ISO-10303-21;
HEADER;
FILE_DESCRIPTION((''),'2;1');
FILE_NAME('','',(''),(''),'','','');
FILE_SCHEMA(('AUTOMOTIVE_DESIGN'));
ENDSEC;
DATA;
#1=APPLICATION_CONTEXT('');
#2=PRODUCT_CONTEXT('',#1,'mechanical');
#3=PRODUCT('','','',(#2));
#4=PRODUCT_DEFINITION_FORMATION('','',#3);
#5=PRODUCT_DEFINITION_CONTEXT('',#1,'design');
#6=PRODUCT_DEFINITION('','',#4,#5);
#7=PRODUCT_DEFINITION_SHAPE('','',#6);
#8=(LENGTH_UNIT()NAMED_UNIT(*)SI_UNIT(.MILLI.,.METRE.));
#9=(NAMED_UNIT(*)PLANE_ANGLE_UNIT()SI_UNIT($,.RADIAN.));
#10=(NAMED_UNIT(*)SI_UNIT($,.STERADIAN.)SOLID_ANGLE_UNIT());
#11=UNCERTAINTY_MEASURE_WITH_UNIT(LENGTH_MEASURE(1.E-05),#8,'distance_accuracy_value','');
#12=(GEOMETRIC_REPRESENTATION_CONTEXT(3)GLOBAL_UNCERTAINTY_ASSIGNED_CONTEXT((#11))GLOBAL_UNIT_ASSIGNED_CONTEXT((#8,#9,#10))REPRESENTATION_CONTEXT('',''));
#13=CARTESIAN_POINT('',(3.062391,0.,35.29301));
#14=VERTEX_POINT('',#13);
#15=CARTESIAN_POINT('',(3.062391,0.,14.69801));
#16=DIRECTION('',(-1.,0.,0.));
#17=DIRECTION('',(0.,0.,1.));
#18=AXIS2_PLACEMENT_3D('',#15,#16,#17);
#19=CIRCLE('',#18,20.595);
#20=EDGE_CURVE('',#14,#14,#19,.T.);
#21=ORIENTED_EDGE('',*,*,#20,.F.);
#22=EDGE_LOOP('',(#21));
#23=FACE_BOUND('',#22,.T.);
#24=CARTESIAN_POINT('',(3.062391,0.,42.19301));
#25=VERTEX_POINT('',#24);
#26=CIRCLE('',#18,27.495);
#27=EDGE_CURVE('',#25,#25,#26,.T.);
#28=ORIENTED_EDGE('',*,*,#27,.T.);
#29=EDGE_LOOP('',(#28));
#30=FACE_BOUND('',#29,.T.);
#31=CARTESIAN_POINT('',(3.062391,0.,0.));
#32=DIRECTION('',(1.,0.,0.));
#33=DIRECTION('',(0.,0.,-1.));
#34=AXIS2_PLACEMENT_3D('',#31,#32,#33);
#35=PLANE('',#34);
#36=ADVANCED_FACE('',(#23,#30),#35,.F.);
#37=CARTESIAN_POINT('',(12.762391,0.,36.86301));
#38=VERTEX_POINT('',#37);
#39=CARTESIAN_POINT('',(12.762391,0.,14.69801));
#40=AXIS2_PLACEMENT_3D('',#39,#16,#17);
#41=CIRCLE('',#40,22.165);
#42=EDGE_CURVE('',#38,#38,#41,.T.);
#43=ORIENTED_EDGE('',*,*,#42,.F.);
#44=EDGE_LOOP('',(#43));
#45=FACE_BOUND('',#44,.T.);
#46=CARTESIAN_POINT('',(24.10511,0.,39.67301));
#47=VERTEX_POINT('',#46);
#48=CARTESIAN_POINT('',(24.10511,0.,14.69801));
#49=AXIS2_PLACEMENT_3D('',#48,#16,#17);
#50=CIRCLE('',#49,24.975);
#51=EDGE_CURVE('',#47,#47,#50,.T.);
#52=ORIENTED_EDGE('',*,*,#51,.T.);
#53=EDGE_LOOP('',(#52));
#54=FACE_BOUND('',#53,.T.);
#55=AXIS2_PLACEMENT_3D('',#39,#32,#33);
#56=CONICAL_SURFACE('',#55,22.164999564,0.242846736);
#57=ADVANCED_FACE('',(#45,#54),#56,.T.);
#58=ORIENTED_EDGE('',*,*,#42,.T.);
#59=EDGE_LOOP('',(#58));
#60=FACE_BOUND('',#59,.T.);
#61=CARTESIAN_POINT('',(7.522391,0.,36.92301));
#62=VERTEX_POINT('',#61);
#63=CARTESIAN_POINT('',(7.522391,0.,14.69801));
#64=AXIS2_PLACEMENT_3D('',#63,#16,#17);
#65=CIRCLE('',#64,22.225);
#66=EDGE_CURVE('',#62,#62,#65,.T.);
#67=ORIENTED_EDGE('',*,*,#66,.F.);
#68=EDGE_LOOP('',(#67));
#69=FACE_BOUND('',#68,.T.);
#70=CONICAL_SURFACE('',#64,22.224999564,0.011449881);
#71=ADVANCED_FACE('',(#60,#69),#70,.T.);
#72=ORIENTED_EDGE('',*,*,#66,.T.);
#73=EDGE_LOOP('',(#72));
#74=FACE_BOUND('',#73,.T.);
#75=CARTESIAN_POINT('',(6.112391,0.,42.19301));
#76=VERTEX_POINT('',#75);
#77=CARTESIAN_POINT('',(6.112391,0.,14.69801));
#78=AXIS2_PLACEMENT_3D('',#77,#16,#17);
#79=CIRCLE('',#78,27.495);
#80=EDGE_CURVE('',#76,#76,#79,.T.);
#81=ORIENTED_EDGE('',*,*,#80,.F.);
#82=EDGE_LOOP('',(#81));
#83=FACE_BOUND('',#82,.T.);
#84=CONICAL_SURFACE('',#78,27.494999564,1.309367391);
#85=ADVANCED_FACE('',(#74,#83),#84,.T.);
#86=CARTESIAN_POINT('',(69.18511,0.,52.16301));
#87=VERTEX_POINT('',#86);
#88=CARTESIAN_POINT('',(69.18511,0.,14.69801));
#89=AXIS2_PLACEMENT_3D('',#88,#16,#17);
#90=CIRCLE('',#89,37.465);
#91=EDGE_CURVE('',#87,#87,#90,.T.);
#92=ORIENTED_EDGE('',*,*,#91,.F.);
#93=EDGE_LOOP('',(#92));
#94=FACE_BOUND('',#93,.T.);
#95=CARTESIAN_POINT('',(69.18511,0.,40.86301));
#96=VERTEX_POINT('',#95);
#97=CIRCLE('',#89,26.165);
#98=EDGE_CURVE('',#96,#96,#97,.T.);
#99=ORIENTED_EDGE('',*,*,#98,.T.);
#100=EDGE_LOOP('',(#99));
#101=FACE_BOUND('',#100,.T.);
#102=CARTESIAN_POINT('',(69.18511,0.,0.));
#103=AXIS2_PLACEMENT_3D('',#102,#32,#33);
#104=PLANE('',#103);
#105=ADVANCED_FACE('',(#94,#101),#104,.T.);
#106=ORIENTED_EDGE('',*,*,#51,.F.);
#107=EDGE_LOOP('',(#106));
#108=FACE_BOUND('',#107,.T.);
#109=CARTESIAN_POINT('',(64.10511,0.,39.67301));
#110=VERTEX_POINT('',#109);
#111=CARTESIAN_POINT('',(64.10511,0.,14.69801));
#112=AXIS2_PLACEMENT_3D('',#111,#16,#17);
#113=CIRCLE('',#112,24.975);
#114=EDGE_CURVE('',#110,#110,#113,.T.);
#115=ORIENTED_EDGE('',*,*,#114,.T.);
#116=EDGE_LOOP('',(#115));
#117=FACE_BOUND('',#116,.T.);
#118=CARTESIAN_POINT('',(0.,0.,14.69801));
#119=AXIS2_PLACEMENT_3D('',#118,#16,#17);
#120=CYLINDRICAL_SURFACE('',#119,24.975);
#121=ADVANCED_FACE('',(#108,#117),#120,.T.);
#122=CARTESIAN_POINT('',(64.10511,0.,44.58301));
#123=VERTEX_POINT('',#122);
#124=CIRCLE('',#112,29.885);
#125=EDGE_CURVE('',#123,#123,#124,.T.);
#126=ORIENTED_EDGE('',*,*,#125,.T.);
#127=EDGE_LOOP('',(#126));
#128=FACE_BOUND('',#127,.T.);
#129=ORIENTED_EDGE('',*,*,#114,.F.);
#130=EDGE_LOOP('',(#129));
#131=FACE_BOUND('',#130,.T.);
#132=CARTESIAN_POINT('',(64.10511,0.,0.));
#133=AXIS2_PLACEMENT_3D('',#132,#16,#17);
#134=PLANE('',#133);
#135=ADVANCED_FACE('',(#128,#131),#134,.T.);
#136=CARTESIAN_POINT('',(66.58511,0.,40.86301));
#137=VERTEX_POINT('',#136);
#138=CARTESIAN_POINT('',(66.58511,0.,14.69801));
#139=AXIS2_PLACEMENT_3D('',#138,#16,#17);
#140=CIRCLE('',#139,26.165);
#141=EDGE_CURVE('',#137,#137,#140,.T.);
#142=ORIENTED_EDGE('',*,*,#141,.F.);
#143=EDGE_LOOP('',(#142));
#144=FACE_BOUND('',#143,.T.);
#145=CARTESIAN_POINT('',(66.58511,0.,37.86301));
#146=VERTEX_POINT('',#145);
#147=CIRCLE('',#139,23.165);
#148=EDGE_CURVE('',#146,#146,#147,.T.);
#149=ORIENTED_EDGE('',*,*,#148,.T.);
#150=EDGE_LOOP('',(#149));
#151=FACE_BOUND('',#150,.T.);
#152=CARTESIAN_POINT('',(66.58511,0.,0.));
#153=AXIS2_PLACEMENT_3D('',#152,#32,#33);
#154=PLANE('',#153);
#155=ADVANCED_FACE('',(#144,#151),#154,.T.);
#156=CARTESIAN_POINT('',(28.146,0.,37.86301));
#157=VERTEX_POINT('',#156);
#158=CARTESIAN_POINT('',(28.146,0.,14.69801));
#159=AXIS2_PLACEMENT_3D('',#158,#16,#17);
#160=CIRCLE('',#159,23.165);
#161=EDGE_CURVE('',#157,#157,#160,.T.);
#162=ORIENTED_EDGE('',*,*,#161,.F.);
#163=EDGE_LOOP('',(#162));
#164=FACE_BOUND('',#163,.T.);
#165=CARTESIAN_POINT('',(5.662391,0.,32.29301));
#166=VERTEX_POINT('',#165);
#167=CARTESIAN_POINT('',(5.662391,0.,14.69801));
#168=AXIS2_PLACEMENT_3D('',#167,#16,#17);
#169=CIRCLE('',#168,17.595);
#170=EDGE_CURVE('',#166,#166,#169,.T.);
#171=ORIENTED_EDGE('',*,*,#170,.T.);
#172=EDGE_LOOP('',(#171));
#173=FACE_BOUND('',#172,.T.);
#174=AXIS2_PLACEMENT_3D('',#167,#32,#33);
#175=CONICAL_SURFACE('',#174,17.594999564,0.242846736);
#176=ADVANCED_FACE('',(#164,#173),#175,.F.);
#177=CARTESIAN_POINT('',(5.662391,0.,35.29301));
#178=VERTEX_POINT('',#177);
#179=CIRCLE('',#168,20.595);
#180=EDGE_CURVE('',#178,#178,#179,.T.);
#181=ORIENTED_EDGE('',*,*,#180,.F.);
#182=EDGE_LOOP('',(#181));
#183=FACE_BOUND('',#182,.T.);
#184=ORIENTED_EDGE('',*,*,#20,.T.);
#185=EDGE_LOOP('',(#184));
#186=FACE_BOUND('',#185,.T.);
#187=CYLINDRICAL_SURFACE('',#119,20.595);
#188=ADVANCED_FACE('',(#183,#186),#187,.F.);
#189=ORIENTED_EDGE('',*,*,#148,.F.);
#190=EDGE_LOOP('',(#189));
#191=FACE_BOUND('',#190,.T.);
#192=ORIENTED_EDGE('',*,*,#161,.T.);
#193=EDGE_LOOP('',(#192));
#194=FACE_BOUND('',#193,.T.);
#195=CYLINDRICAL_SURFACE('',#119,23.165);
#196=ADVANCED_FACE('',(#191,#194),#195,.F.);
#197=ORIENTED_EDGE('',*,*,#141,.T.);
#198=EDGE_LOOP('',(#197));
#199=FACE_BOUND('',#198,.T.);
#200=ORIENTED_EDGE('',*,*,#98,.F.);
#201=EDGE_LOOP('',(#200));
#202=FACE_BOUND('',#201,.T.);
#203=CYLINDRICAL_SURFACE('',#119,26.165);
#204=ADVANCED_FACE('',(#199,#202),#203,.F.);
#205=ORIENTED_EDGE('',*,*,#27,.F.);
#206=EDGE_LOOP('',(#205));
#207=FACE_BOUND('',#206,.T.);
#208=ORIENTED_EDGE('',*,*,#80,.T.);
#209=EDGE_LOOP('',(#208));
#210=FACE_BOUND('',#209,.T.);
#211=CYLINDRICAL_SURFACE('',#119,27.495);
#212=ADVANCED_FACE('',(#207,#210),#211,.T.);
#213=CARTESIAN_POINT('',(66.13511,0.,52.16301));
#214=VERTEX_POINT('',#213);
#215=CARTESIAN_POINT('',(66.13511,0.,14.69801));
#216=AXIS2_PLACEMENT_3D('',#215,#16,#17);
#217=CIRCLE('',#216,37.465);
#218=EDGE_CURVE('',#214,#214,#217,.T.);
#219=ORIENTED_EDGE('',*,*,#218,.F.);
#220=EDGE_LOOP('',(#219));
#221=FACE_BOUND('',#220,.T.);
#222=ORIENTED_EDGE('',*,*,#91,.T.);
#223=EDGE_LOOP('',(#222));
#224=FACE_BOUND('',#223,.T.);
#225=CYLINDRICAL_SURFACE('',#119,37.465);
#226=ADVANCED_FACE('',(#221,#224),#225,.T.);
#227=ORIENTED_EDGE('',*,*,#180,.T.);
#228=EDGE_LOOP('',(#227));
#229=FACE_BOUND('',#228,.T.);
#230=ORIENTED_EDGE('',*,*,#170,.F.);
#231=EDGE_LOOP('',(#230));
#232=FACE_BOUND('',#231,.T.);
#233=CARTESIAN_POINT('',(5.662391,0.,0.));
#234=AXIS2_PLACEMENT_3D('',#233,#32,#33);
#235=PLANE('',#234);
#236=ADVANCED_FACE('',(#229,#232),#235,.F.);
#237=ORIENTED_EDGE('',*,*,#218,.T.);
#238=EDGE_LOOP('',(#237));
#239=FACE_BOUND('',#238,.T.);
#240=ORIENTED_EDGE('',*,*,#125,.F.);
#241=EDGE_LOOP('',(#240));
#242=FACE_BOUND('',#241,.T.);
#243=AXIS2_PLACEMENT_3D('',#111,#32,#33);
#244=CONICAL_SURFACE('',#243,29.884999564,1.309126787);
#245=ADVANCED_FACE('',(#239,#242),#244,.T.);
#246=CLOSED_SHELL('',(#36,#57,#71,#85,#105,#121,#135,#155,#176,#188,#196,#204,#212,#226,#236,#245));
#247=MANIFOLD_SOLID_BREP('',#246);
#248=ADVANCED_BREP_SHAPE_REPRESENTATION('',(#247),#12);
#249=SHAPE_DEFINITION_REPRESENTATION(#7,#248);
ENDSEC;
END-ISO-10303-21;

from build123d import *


with BuildPart() as part:
    # Sketch1 → Revolve3 (revolve)
    with BuildSketch(Plane(origin=(0, 0, 0), x_dir=(1, 0, 0), z_dir=(0, 1, 0)), mode=Mode.PRIVATE) as revolve3_sk:
        Polygon((66.585109669, 11.466989564), (66.585109669, 8.466989564), (28.146000229, 8.466989564), (5.662391386, 2.896989564), (5.662391386, 5.896989564), (3.062391386, 5.896989564), (3.062391386, 12.796989564), (6.112391386, 12.796989564), (7.522391386, 7.526989564), (12.762391386, 7.466989564), (24.105109672, 10.276989564), (64.105109672, 10.276989564), (64.105109672, 15.186989564), (66.135109672, 22.766989564), (69.185109669, 22.766989564), (69.185109669, 11.466989564), align=None)
    revolve(revolve3_sk.sketch.rotate(Axis((0, 0, 14.69801), (1, 0, 0)), 180), axis=Axis((0, 0, 14.69801), (1, 0, 0)))


solid = part.part
